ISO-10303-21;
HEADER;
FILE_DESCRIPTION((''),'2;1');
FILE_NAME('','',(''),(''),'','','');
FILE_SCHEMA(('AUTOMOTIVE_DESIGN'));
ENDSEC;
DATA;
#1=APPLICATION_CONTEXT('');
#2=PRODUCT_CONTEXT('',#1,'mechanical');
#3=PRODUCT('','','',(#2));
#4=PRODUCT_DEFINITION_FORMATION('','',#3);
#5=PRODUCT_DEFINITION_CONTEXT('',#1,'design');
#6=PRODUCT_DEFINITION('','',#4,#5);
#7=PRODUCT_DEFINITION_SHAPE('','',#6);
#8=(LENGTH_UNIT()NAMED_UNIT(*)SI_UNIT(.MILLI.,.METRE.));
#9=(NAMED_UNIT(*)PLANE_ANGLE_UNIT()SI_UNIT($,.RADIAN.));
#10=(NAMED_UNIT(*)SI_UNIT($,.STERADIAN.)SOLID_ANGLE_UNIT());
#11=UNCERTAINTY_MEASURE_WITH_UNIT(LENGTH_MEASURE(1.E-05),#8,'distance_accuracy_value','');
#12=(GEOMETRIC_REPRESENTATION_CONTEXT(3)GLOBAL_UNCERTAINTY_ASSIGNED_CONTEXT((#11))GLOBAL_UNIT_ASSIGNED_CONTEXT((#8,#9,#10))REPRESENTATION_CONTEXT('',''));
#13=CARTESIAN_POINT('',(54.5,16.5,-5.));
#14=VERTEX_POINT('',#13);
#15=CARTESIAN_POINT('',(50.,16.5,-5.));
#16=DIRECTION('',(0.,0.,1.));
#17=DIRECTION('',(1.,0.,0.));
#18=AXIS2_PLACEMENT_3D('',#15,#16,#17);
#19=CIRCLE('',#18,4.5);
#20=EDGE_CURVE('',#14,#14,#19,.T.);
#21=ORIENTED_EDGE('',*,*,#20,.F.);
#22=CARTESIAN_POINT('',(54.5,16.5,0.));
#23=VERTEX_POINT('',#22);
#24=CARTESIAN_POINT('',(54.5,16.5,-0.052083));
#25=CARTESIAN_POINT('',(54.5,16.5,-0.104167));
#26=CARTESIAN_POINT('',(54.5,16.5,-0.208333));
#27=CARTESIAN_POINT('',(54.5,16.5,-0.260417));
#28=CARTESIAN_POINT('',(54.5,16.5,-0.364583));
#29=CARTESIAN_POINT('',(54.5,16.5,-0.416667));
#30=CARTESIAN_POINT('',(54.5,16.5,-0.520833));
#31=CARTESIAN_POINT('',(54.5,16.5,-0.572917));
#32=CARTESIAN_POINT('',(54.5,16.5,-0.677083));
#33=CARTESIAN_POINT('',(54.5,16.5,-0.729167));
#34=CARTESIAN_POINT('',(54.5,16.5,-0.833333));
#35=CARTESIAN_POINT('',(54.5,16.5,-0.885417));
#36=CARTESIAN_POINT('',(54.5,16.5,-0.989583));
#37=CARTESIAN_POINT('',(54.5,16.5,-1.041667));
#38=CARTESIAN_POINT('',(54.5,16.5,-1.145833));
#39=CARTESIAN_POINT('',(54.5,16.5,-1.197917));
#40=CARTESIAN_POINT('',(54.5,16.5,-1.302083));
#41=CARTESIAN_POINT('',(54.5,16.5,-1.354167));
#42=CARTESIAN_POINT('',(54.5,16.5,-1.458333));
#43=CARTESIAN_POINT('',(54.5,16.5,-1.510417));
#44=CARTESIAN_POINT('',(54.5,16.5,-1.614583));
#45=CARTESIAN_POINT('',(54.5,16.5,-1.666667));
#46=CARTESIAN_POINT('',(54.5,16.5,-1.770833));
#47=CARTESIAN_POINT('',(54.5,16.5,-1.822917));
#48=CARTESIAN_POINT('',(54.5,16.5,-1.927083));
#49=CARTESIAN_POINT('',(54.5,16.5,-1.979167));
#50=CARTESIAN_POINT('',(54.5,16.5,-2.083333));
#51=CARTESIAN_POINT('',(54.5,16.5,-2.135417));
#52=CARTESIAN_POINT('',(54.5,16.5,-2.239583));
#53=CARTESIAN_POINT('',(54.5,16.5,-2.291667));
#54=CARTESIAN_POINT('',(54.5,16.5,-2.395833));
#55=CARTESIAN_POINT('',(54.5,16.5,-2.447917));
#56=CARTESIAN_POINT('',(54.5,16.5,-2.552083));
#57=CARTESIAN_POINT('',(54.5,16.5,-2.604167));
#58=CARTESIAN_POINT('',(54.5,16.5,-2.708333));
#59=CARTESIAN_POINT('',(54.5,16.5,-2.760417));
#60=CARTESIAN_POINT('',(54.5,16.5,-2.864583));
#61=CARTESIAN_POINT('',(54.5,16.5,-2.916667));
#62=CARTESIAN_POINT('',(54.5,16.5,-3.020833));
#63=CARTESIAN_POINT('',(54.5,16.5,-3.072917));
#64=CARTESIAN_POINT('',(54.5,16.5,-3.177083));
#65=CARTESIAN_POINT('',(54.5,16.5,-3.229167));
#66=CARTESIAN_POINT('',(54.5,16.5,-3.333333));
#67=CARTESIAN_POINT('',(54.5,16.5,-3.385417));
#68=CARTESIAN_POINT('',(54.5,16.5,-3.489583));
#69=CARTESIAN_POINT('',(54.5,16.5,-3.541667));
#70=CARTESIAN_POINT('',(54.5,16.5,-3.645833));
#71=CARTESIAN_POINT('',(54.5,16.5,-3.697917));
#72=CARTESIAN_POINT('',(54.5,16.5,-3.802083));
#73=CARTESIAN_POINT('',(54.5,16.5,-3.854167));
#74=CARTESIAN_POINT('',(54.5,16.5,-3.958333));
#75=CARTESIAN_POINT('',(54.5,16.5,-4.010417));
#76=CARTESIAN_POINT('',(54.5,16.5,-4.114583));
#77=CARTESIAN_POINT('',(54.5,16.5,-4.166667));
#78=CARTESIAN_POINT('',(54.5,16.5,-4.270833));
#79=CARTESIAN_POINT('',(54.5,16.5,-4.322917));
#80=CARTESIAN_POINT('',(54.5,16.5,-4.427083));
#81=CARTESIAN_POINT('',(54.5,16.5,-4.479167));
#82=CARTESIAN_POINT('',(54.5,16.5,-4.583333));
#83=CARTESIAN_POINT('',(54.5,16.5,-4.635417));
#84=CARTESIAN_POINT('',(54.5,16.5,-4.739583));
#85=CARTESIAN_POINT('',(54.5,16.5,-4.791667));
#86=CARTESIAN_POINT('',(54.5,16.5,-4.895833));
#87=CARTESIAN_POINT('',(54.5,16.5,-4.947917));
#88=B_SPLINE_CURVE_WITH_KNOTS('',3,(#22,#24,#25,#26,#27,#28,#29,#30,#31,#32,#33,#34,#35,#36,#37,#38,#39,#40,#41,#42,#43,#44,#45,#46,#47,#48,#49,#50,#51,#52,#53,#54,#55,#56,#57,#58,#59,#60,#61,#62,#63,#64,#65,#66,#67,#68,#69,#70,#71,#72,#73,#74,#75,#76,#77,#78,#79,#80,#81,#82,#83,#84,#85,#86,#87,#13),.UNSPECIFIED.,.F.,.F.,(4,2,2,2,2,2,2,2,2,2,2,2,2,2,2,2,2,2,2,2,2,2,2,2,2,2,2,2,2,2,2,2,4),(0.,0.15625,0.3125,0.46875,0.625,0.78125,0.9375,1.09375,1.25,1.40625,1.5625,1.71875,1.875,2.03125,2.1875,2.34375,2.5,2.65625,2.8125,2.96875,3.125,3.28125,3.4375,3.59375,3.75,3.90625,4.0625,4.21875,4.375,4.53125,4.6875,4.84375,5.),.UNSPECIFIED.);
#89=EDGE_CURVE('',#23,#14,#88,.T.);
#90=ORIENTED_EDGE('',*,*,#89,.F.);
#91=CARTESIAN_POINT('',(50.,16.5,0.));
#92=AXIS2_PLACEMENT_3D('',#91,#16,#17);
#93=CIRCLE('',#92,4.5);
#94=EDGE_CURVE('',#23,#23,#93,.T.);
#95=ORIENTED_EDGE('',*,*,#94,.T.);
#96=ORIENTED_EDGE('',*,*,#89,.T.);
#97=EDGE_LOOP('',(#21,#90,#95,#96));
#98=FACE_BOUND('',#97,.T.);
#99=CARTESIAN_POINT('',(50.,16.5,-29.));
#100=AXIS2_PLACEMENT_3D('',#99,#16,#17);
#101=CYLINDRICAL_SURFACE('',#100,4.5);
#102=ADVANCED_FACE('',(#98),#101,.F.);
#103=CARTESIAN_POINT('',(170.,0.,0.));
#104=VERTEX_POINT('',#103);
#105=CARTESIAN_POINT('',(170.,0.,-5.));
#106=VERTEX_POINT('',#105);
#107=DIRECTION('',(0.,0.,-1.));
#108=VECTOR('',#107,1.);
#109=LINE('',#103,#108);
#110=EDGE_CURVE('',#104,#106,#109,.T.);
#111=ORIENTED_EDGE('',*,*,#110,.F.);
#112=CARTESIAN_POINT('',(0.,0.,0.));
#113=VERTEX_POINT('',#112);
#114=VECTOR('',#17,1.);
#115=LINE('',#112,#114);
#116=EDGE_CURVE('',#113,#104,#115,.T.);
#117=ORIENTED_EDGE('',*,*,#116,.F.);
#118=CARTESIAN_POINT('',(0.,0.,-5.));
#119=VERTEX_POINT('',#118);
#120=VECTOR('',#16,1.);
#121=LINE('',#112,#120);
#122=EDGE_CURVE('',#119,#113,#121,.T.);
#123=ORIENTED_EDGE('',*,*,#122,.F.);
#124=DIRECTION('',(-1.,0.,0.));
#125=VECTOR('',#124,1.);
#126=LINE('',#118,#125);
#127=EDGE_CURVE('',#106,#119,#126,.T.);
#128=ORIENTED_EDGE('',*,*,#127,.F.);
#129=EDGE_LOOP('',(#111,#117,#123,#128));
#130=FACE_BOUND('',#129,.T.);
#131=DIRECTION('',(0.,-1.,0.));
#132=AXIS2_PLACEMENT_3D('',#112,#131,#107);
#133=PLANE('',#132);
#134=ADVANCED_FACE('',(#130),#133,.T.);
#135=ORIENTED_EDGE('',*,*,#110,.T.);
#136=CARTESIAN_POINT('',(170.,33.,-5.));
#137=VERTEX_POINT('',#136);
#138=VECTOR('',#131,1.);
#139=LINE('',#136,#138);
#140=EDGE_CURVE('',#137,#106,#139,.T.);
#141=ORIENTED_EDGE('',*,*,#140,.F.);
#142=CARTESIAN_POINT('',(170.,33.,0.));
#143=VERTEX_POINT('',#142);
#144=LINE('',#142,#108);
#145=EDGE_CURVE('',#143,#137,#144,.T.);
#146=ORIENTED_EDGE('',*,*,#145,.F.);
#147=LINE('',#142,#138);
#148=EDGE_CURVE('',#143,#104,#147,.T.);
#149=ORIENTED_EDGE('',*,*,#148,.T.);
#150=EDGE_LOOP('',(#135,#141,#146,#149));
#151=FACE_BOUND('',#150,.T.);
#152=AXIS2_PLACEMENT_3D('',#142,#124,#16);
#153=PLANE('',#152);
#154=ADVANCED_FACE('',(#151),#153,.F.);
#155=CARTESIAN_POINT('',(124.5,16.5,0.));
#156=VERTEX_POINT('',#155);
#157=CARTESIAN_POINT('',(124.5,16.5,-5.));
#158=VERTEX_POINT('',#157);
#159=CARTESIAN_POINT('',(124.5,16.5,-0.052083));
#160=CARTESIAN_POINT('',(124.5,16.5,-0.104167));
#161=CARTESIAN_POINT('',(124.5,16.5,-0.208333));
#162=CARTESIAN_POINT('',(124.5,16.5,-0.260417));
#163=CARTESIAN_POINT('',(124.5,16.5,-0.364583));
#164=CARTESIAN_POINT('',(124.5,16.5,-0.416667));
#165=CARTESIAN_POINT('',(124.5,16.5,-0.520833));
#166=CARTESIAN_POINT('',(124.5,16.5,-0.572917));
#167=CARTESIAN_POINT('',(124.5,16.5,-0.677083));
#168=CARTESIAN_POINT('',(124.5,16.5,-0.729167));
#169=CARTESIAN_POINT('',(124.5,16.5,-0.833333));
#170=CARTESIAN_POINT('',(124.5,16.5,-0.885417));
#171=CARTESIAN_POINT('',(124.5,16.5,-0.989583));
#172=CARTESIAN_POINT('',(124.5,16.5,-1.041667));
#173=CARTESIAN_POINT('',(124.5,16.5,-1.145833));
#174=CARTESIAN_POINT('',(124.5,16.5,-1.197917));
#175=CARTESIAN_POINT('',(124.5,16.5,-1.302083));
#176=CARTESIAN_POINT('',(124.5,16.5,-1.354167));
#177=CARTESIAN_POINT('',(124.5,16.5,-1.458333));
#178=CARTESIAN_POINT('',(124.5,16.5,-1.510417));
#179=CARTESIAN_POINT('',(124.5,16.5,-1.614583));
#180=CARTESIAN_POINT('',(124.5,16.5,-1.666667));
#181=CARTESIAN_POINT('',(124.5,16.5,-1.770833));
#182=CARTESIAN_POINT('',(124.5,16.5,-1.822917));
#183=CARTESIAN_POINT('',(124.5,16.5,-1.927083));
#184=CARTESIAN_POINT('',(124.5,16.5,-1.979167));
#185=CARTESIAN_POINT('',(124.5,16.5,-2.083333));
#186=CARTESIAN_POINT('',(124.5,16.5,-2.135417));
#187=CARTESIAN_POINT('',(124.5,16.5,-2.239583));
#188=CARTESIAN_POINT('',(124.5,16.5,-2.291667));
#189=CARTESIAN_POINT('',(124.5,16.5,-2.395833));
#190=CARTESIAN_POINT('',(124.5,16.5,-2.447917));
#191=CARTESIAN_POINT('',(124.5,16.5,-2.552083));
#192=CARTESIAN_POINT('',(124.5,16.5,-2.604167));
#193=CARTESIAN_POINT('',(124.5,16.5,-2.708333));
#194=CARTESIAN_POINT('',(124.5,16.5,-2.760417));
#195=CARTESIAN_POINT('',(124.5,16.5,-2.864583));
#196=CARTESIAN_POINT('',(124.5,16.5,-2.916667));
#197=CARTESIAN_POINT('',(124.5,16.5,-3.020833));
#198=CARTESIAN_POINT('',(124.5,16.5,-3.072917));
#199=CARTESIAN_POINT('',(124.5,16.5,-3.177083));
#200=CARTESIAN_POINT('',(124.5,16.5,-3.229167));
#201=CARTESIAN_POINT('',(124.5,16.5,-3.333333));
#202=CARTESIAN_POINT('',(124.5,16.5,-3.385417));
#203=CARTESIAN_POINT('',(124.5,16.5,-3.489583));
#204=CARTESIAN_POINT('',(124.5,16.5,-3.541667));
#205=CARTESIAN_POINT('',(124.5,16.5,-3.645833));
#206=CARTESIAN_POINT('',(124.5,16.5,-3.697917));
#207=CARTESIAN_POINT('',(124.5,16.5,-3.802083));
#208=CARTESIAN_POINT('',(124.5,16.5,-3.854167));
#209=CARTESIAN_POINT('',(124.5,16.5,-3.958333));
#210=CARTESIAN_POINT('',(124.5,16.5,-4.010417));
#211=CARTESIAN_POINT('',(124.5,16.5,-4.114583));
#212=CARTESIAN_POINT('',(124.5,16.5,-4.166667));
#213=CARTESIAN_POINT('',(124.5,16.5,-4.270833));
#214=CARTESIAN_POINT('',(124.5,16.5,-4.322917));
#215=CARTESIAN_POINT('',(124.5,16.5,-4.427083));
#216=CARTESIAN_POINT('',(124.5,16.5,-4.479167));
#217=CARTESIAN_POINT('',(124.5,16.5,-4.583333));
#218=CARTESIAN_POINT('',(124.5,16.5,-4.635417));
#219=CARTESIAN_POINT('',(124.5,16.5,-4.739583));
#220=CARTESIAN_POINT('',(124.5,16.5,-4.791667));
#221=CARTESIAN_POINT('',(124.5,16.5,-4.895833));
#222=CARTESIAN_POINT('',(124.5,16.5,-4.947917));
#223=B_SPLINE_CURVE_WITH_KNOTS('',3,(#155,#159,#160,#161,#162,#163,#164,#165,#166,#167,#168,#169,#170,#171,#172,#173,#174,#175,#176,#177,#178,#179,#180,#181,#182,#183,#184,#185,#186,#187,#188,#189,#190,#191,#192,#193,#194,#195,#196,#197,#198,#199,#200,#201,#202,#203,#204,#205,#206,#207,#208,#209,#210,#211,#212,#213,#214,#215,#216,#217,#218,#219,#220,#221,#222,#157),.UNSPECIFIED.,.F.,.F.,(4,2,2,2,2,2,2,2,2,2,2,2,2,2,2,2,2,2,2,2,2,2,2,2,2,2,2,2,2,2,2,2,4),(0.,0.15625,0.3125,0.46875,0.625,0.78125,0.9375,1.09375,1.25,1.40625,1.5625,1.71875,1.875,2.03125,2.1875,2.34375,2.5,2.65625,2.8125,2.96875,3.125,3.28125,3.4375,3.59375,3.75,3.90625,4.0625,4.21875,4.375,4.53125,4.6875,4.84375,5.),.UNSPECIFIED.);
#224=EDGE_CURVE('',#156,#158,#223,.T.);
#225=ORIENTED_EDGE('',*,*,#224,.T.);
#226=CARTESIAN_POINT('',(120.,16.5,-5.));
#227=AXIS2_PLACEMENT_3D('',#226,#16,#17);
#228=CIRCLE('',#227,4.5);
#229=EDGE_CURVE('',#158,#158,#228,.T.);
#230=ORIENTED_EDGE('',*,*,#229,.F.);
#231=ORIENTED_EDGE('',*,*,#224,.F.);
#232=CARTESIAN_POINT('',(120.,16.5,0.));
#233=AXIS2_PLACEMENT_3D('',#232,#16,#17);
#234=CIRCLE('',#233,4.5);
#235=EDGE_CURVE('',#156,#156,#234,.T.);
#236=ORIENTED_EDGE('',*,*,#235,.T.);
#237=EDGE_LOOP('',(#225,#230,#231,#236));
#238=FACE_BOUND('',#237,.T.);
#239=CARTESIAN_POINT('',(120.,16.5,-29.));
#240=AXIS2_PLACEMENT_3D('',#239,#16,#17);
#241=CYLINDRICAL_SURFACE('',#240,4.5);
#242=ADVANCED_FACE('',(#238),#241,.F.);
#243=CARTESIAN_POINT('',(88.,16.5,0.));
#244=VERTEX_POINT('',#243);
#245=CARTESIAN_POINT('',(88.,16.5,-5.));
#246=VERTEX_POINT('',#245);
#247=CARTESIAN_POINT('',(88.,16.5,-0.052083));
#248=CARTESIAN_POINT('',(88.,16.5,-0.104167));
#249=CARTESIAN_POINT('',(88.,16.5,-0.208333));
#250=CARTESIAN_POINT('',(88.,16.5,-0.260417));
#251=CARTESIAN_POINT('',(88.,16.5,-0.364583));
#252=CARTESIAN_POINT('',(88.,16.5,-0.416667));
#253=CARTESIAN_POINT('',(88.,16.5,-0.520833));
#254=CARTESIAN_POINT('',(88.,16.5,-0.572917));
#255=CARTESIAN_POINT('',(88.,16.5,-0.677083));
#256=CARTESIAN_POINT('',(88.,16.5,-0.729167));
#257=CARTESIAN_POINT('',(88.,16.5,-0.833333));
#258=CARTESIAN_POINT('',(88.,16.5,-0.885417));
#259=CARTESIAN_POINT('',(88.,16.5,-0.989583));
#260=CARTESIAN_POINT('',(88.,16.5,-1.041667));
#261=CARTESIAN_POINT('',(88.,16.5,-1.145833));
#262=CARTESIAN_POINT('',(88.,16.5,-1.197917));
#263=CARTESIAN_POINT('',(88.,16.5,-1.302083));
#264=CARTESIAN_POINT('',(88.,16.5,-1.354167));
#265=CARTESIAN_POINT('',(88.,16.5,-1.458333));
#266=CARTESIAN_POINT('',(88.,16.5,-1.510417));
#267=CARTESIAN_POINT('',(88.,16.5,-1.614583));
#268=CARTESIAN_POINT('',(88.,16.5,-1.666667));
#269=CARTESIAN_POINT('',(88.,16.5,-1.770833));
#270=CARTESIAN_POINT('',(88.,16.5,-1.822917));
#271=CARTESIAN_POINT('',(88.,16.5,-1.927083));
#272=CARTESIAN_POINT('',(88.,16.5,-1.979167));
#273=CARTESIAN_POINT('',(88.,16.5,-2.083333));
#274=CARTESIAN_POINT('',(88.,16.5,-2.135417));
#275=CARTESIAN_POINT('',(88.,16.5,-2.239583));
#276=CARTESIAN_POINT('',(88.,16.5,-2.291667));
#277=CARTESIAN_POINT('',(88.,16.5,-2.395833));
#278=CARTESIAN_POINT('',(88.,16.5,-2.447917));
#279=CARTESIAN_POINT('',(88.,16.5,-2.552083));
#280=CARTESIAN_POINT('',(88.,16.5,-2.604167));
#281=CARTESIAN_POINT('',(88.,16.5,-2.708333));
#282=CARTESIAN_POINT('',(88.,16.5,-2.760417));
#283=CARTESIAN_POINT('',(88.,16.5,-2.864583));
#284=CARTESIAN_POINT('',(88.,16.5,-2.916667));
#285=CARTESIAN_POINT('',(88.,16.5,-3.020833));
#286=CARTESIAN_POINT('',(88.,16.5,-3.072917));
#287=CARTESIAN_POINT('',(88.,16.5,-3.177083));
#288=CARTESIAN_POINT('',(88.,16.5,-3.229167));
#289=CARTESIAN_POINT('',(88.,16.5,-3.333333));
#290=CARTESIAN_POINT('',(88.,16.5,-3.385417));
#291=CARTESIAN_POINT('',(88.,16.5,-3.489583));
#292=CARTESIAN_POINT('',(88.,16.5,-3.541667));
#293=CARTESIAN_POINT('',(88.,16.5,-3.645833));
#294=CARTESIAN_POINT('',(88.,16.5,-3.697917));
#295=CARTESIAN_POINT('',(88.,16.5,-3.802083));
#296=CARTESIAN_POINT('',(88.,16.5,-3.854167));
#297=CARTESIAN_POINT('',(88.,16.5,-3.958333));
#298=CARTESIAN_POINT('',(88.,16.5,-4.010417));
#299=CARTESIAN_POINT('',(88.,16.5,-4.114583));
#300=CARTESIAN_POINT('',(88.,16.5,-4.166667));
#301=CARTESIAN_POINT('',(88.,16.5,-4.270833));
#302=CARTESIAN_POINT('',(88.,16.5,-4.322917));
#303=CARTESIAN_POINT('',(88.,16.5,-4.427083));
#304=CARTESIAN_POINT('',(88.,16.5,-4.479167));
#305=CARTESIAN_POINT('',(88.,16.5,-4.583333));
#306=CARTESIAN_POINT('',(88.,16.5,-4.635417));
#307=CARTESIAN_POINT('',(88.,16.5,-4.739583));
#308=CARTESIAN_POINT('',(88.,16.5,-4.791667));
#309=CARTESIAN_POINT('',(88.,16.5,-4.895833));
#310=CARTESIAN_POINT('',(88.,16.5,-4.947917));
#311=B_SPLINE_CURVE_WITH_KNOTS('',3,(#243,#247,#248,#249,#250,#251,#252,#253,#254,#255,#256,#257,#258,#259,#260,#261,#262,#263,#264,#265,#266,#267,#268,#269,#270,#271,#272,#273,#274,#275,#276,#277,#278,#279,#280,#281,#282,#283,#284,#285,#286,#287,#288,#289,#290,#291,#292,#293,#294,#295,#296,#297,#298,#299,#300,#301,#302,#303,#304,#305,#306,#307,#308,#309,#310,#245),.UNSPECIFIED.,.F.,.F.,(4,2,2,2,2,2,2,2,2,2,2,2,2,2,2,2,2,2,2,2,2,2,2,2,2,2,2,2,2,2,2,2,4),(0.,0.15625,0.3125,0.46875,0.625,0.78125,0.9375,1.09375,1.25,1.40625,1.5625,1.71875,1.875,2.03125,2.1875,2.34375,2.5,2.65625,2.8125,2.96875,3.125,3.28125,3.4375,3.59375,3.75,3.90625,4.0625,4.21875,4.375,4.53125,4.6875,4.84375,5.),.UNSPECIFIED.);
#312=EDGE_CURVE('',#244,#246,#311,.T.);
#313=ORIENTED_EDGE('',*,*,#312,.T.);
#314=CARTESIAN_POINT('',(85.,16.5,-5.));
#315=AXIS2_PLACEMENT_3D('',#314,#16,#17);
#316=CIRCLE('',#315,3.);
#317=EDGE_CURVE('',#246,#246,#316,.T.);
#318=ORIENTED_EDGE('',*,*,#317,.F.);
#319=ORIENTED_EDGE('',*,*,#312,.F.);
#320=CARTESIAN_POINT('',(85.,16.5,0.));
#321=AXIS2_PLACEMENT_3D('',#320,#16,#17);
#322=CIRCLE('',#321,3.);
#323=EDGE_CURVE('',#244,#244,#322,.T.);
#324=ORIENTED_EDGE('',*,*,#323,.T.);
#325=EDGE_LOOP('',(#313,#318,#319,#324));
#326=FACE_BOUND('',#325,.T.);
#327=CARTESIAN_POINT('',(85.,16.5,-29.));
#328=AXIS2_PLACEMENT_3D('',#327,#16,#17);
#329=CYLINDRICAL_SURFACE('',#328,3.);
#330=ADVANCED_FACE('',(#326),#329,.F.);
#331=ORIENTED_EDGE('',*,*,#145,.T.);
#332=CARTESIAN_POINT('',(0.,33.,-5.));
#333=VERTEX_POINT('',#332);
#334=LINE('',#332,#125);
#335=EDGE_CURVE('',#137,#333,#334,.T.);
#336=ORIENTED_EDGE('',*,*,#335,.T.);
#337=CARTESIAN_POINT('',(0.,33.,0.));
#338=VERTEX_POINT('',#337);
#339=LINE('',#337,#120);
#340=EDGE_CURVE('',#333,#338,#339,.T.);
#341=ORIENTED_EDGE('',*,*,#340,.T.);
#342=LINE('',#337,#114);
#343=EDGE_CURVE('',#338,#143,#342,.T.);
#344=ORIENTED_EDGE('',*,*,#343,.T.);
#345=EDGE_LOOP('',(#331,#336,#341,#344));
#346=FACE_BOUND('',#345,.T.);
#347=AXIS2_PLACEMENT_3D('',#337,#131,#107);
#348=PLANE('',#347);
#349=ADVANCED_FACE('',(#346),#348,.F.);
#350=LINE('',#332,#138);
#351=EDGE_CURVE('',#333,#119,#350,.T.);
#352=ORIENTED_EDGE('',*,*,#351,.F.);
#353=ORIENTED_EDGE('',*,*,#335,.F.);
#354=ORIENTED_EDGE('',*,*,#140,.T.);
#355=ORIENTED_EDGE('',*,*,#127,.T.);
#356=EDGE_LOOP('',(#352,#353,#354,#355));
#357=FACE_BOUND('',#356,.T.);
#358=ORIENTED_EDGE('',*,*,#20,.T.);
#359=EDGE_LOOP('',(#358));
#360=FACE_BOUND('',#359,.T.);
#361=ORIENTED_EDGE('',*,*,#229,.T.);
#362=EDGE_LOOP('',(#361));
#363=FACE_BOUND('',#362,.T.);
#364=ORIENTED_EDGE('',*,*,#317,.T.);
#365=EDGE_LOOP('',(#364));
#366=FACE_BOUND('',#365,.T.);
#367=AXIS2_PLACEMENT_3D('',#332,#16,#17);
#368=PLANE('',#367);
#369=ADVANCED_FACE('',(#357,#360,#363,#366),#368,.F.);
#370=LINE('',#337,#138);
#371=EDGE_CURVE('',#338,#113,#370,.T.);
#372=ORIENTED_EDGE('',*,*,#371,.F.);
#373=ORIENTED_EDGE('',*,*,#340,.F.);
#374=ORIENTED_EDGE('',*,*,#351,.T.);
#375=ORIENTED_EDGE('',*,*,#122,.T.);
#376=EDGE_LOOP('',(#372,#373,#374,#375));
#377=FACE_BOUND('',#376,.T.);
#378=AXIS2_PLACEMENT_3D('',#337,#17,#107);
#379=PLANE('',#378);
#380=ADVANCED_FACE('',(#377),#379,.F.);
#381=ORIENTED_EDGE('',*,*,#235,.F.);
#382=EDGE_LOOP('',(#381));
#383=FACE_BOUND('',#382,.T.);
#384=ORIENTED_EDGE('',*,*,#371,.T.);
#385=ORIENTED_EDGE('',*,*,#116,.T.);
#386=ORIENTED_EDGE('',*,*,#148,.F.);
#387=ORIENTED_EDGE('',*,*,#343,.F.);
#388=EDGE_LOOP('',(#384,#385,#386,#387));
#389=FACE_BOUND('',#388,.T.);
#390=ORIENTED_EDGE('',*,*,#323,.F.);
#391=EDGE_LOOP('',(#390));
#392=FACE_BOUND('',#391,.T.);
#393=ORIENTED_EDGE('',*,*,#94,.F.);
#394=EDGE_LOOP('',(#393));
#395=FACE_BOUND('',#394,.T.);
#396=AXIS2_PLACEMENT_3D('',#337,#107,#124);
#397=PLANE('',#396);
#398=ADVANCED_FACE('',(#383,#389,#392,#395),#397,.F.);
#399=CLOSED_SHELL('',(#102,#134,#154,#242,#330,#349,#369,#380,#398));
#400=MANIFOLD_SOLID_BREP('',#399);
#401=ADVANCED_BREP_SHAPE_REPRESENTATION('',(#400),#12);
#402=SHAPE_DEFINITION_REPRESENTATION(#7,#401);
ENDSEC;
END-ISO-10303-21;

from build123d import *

# Parameters (mm, degrees)
SKETCH1_W           = 170
SKETCH1_H           = 5
BOSS_EXTRUDE1_DEPTH = 33
SKETCH2_R           = 3
SKETCH2_R_2         = 4.5
CUT_EXTRUDE1_DEPTH  = 29


with BuildPart() as part:
    # Sketch1 → Boss-Extrude1 (new body)
    with BuildSketch(Plane(origin=(0, 0, 0), x_dir=(1, 0, 0), z_dir=(0, 1, 0))):
        with Locations((85, 2.5)):
            Rectangle(SKETCH1_W, SKETCH1_H)
    extrude(amount=BOSS_EXTRUDE1_DEPTH)

    # Sketch2 → Cut-Extrude1 (cut)
    with BuildSketch(Plane.XY):
        with Locations((85, 16.5)):
            Circle(SKETCH2_R)
        with Locations((120, 16.5)):
            Circle(SKETCH2_R_2)
        with Locations((50, 16.5)):
            Circle(SKETCH2_R_2)
    extrude(amount=-CUT_EXTRUDE1_DEPTH, mode=Mode.SUBTRACT)


solid = part.part
